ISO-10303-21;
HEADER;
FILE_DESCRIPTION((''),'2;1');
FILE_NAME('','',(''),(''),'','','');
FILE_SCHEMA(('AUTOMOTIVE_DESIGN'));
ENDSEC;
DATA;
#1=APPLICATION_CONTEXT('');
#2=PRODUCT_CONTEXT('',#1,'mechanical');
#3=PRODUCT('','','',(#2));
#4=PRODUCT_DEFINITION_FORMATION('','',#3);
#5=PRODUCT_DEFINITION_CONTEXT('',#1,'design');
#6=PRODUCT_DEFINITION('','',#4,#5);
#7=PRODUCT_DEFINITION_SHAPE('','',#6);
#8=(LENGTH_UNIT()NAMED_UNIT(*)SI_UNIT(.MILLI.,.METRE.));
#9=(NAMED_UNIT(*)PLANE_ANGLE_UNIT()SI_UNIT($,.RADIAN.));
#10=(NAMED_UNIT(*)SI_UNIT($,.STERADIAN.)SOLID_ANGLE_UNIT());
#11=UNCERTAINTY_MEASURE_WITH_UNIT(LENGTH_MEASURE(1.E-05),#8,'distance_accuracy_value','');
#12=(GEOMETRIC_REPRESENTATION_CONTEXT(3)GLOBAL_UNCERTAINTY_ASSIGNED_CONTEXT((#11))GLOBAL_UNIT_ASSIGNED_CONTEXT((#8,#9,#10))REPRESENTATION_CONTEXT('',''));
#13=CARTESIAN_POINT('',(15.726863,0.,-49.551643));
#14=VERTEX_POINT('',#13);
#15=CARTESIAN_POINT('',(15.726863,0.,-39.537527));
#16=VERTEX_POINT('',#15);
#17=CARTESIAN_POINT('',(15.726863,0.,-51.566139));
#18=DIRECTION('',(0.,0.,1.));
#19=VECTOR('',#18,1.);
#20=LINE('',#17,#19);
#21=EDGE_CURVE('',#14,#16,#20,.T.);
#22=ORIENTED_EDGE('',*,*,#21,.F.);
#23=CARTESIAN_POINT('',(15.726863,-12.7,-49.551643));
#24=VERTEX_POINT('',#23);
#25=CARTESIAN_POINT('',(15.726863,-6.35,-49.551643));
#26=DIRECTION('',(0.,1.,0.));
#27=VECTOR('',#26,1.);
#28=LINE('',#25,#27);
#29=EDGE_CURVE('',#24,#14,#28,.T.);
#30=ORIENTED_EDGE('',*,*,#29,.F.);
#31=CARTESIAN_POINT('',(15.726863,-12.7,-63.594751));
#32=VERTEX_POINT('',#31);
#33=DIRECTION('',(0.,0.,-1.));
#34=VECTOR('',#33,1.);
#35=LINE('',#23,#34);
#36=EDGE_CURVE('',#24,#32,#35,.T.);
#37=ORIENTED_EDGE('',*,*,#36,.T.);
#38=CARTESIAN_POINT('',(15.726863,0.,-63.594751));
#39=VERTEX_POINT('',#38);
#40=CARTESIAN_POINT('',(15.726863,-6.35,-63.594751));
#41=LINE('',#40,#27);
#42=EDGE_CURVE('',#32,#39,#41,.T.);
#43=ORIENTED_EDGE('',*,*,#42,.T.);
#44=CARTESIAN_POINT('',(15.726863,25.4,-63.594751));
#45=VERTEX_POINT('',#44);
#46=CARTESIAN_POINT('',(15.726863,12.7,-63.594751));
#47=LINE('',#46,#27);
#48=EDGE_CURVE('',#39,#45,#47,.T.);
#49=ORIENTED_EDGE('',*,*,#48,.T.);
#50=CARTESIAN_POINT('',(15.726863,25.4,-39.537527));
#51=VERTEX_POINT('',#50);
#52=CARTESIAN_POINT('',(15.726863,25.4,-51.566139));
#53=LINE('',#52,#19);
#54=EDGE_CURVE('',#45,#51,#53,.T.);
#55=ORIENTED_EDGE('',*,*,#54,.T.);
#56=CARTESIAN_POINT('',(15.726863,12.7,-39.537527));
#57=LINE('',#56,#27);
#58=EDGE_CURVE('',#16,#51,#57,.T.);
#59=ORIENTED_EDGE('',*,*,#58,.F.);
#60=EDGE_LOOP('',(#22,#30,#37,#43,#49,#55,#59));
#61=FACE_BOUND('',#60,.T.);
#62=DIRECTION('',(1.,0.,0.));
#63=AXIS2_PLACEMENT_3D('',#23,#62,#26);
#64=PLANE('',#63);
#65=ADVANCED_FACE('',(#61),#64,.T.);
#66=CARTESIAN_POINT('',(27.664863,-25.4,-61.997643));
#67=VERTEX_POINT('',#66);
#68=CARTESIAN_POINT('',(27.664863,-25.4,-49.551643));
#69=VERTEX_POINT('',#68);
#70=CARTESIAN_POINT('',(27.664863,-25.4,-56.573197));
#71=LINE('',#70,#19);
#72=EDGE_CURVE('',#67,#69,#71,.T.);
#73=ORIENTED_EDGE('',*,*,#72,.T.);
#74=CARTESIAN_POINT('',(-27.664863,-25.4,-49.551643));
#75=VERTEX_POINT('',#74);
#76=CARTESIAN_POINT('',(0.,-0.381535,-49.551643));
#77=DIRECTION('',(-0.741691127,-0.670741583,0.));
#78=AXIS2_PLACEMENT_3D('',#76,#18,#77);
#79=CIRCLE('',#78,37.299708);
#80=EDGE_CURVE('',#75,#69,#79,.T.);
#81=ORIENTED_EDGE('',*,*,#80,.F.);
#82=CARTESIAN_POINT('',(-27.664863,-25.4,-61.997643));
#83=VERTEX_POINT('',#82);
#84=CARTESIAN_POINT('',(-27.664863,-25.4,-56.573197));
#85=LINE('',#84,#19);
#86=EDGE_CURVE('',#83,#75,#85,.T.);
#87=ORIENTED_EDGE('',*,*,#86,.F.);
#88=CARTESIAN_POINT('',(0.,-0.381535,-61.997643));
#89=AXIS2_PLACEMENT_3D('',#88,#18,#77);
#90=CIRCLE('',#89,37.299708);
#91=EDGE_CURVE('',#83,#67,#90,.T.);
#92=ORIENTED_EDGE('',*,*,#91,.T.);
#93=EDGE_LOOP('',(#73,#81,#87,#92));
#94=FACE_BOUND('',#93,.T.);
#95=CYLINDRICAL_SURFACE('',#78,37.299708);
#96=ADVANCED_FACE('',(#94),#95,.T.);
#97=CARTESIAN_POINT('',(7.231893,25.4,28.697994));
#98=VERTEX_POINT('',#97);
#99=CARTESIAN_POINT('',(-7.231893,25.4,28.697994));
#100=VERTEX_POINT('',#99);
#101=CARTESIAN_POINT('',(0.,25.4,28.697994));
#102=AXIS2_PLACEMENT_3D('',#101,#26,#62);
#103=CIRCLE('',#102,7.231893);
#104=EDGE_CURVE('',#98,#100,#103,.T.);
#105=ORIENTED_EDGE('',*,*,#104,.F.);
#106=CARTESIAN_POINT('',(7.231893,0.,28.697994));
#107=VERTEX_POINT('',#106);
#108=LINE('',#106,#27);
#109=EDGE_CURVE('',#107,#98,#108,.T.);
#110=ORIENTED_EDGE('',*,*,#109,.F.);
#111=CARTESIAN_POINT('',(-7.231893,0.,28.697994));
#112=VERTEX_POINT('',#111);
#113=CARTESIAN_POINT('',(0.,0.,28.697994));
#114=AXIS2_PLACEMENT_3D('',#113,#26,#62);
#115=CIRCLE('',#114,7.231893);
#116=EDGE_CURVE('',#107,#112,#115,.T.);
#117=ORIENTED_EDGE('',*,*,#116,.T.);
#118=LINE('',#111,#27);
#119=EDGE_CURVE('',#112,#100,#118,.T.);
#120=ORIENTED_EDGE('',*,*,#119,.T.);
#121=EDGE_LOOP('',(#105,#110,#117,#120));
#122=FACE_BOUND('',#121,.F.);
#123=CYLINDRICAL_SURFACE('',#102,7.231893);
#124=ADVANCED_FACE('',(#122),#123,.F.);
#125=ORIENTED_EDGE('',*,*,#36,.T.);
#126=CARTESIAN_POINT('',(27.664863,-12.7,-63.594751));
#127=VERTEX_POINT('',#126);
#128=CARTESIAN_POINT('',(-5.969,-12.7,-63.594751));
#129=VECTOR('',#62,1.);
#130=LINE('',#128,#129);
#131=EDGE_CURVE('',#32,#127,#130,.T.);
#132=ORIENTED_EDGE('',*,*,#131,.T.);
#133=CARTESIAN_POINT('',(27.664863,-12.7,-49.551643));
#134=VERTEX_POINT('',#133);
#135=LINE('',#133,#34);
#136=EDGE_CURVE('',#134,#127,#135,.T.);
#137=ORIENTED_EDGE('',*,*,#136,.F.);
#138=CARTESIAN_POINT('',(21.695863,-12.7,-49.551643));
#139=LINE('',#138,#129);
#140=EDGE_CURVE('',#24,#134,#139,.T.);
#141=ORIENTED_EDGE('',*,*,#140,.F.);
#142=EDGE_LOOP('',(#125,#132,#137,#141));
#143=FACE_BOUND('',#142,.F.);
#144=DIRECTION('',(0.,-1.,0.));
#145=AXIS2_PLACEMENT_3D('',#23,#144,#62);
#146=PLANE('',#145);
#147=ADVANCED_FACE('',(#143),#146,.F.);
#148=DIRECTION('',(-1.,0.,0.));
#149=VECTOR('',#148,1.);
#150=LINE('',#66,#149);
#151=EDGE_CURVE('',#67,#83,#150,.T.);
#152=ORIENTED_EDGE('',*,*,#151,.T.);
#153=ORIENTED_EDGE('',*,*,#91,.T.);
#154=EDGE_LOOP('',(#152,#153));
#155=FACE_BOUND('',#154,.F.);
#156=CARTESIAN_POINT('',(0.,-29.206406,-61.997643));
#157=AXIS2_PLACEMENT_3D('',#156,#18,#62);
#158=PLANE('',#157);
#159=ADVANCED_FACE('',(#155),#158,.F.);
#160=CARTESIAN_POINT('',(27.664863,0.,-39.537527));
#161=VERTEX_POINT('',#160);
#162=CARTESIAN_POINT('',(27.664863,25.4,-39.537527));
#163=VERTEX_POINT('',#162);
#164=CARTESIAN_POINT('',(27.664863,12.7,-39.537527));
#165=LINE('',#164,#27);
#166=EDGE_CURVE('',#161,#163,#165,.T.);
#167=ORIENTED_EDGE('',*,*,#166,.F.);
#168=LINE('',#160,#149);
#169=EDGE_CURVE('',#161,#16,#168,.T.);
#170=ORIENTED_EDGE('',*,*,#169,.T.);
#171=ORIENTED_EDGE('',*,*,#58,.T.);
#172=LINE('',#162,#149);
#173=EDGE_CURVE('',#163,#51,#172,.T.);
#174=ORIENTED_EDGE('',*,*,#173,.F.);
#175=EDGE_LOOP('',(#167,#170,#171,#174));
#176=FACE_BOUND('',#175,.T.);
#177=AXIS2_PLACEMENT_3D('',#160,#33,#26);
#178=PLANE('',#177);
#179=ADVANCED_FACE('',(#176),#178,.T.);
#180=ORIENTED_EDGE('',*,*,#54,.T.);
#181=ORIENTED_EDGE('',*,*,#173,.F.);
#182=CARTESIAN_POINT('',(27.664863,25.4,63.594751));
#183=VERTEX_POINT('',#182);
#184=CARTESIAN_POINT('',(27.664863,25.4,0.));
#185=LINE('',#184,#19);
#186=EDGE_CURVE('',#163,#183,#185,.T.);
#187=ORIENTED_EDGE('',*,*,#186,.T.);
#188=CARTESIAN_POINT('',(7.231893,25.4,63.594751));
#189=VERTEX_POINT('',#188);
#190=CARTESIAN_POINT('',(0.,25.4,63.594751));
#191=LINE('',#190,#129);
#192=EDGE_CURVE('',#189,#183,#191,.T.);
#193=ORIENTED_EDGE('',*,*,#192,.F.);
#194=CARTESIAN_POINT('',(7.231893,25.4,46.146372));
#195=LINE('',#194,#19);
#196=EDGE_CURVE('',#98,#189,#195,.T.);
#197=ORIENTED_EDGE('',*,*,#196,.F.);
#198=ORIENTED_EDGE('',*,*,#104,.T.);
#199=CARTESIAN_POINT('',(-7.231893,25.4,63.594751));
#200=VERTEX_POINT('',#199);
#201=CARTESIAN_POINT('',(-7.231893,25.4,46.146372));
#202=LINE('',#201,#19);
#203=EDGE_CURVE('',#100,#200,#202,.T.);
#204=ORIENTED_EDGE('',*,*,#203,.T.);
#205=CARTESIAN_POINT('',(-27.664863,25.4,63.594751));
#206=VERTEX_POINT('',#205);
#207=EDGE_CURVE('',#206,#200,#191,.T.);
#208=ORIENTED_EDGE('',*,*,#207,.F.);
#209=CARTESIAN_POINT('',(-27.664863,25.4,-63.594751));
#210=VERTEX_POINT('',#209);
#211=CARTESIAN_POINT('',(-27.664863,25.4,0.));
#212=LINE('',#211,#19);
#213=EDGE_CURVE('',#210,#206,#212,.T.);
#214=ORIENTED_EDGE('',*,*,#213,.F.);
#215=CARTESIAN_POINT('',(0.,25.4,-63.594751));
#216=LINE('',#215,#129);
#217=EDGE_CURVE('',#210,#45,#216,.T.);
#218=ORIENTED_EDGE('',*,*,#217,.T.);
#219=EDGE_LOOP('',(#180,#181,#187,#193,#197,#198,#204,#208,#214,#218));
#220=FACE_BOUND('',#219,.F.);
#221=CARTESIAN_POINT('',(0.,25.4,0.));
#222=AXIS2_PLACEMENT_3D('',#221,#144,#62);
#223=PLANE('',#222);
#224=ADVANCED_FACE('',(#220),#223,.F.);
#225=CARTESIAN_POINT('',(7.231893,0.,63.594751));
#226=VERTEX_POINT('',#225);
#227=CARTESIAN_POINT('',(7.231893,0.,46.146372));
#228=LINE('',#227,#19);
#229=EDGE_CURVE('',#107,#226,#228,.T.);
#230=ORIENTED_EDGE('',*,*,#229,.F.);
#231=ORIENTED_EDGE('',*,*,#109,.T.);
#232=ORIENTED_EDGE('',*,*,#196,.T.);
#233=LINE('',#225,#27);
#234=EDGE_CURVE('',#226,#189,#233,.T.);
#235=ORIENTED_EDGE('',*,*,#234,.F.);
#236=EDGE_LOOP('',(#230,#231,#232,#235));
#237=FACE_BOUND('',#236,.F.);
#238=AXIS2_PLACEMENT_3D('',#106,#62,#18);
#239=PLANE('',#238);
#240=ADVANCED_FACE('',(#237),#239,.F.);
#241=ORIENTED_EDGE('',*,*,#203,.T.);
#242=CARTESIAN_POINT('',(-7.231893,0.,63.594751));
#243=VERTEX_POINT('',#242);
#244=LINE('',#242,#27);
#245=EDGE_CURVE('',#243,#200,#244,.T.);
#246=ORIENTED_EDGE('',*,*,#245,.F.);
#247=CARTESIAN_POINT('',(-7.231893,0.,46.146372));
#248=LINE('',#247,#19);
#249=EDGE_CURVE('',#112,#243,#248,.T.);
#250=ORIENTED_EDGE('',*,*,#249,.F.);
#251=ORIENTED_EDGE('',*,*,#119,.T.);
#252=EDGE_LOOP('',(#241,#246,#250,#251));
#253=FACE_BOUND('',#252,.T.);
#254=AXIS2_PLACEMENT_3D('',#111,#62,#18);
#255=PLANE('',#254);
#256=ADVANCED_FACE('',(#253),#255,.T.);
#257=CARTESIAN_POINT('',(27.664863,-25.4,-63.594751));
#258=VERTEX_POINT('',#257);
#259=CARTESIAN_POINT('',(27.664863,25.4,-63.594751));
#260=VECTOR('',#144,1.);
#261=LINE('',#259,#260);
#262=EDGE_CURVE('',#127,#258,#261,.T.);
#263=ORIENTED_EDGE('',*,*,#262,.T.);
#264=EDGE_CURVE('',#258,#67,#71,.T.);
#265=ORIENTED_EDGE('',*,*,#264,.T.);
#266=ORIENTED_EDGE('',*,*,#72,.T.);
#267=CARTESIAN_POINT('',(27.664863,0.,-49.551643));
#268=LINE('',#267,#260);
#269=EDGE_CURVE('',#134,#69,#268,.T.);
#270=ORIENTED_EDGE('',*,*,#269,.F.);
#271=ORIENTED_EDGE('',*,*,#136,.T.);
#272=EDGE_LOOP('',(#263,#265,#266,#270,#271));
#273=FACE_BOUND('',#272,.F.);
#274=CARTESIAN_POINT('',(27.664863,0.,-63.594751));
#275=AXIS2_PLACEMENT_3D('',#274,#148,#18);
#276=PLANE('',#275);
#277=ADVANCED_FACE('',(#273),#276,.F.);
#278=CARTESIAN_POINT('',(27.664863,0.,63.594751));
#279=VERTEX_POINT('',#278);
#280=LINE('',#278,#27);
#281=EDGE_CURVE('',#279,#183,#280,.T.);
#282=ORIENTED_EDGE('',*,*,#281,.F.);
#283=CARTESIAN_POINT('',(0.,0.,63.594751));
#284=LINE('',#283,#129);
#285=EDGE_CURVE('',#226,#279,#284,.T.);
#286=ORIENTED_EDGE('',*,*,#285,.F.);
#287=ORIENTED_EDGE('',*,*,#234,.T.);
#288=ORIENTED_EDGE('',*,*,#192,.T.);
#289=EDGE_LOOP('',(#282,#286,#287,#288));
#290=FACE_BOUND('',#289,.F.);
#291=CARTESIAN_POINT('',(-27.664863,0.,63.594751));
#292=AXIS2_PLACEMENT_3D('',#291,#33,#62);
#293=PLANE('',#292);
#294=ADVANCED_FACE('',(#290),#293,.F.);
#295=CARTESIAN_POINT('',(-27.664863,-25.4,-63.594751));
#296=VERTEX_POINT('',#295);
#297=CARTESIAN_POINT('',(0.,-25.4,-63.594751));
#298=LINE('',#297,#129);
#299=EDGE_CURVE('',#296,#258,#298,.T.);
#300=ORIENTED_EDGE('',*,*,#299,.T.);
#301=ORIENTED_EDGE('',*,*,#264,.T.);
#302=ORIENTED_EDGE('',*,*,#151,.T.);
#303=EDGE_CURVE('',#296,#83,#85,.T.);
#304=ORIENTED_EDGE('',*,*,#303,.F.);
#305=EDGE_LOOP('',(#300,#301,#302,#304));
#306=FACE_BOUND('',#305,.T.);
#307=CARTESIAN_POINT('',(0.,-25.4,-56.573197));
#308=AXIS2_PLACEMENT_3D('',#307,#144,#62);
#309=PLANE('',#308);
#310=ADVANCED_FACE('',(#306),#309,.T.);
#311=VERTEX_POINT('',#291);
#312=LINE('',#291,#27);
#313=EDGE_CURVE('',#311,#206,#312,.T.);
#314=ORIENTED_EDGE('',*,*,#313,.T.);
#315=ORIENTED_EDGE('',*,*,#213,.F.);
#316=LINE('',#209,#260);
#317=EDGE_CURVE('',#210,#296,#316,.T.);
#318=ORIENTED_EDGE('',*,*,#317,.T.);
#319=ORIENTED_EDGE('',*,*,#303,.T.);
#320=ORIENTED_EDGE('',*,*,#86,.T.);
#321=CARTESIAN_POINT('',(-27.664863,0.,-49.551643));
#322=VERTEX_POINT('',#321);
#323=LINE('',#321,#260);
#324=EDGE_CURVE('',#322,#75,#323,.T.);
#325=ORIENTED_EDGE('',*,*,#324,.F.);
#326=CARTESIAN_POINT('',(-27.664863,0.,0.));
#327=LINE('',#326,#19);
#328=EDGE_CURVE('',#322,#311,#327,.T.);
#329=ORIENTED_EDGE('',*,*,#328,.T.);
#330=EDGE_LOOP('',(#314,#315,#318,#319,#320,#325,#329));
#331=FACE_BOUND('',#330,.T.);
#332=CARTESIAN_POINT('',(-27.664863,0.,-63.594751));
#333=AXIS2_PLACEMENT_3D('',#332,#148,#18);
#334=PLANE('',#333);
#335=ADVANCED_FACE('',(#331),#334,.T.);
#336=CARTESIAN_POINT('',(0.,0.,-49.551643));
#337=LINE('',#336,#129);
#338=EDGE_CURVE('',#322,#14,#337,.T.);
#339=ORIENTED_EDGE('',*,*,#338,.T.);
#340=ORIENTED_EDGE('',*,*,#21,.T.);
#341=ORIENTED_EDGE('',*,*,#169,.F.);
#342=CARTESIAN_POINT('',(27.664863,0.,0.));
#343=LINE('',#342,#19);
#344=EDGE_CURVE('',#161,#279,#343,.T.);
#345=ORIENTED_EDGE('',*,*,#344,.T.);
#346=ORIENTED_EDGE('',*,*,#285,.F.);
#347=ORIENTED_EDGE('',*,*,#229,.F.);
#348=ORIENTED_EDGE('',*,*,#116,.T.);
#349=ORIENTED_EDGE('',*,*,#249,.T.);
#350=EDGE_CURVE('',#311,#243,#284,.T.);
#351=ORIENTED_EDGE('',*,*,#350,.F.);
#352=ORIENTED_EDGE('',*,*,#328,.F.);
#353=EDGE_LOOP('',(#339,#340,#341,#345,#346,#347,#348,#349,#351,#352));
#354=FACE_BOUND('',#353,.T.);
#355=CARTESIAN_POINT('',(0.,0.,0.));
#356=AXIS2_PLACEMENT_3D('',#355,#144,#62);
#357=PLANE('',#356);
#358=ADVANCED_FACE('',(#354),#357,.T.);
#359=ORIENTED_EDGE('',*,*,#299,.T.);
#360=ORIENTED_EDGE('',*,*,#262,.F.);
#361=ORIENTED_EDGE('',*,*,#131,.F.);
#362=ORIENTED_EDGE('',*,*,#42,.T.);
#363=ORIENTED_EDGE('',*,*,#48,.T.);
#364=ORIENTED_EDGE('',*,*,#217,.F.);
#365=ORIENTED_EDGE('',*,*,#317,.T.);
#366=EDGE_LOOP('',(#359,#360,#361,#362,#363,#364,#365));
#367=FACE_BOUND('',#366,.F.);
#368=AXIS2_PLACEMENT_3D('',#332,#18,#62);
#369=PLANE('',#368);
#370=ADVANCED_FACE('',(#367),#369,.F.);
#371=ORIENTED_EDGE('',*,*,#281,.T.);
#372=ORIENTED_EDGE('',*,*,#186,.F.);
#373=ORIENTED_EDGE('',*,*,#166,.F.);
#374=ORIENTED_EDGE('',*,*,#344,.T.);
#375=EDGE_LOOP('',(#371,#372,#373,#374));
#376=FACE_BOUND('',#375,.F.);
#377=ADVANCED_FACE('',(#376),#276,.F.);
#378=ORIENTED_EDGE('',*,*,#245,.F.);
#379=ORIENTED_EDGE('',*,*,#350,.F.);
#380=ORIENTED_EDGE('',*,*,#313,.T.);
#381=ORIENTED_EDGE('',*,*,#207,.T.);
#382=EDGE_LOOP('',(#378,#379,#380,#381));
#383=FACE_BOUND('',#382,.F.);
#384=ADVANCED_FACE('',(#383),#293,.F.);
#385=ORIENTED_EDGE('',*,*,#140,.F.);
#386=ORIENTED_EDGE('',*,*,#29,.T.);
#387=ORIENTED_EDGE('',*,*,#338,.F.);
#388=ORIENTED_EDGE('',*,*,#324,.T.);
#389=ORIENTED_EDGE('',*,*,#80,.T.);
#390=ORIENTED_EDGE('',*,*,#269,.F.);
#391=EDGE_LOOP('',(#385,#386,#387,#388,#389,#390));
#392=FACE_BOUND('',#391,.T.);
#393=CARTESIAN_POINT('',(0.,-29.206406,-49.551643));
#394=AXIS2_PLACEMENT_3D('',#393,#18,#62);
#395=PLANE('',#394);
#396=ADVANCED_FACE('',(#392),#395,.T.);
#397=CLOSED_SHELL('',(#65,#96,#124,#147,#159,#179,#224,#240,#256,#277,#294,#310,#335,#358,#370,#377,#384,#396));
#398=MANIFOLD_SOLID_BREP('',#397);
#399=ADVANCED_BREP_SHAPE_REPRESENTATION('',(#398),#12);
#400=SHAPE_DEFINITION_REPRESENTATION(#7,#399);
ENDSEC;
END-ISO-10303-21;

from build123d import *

# Parameters (mm, degrees)
F0_W      = 55.3297251463
F0_H      = 127.18950212
F1_DEPTH  = 25.4
F2_W      = 7.2318934835
F2_H      = 34.8967574537
F3_DEPTH  = 25.4
F5_DEPTH  = 25.4
F6_W      = 55.3297251463
F6_H      = 14.0431076288
F7_DEPTH  = 25.4
F9_DEPTH  = 12.446
F10_W     = 25.4
F10_H     = 24.0572243929
F11_DEPTH = 11.938
F12_W     = 11.938
F12_H     = 12.7
F13_DEPTH = 25.4


with BuildPart() as f1:
    # F0 (on Front) → F1 (new body)
    with BuildSketch(Plane.XZ):
        Rectangle(F0_W, F0_H)
    extrude(amount=-F1_DEPTH)

    # F2 (on face) → F3 (cut)
    with BuildSketch(Plane.XZ):
        with Locations((-3.6159467418, 46.1463723332)):
            Rectangle(F2_W, F2_H)
        with Locations((3.6159467418, 46.1463723332)):
            Rectangle(F2_W, F2_H)
    extrude(amount=-F3_DEPTH, mode=Mode.SUBTRACT)

    # F4 (on face) → F5 (cut)
    with BuildSketch(Plane(origin=(0, 25.4, 0), x_dir=(-1, 0, 0), z_dir=(0, 1, 0))):
        with BuildLine():
            Line((7.2318934835, 28.6979936063), (-7.2318934835, 28.6979936063))
            ThreePointArc((-7.2318934835, 28.6979936063), (0, 21.4661001228), (7.2318934835, 28.6979936063))
        make_face()
    extrude(amount=-F5_DEPTH, mode=Mode.SUBTRACT)

    # F6 (on face) → F7 (join)
    with BuildSketch(Plane.XZ):
        with Locations((0, -56.5731972456)):
            Rectangle(F6_W, F6_H)
    extrude(amount=F7_DEPTH)

    # F8 (on face) → F9 (join)
    with BuildSketch(Plane.XY.offset(-49.5516434312)):
        with BuildLine():
            Line((27.6648625731, -25.4), (-27.6648625731, -25.4))
            ThreePointArc((-27.6648625731, -25.4), (0, -37.6812428416), (27.6648625731, -25.4))
        make_face()
    extrude(amount=-F9_DEPTH)

    # F10 (on face) → F11 (cut)
    with BuildSketch(Plane.YZ.offset(27.6648625731)):
        with Locations((12.7, -51.5661388636)):
            Rectangle(F10_W, F10_H)
    extrude(amount=-F11_DEPTH, mode=Mode.SUBTRACT)

    # F12 (on face) → F13 (cut)
    with BuildSketch(Plane.XY.offset(-49.5516434312)):
        with Locations((21.6958625731, -6.35)):
            Rectangle(F12_W, F12_H)
    extrude(amount=-F13_DEPTH, mode=Mode.SUBTRACT)


solid = f1.part
